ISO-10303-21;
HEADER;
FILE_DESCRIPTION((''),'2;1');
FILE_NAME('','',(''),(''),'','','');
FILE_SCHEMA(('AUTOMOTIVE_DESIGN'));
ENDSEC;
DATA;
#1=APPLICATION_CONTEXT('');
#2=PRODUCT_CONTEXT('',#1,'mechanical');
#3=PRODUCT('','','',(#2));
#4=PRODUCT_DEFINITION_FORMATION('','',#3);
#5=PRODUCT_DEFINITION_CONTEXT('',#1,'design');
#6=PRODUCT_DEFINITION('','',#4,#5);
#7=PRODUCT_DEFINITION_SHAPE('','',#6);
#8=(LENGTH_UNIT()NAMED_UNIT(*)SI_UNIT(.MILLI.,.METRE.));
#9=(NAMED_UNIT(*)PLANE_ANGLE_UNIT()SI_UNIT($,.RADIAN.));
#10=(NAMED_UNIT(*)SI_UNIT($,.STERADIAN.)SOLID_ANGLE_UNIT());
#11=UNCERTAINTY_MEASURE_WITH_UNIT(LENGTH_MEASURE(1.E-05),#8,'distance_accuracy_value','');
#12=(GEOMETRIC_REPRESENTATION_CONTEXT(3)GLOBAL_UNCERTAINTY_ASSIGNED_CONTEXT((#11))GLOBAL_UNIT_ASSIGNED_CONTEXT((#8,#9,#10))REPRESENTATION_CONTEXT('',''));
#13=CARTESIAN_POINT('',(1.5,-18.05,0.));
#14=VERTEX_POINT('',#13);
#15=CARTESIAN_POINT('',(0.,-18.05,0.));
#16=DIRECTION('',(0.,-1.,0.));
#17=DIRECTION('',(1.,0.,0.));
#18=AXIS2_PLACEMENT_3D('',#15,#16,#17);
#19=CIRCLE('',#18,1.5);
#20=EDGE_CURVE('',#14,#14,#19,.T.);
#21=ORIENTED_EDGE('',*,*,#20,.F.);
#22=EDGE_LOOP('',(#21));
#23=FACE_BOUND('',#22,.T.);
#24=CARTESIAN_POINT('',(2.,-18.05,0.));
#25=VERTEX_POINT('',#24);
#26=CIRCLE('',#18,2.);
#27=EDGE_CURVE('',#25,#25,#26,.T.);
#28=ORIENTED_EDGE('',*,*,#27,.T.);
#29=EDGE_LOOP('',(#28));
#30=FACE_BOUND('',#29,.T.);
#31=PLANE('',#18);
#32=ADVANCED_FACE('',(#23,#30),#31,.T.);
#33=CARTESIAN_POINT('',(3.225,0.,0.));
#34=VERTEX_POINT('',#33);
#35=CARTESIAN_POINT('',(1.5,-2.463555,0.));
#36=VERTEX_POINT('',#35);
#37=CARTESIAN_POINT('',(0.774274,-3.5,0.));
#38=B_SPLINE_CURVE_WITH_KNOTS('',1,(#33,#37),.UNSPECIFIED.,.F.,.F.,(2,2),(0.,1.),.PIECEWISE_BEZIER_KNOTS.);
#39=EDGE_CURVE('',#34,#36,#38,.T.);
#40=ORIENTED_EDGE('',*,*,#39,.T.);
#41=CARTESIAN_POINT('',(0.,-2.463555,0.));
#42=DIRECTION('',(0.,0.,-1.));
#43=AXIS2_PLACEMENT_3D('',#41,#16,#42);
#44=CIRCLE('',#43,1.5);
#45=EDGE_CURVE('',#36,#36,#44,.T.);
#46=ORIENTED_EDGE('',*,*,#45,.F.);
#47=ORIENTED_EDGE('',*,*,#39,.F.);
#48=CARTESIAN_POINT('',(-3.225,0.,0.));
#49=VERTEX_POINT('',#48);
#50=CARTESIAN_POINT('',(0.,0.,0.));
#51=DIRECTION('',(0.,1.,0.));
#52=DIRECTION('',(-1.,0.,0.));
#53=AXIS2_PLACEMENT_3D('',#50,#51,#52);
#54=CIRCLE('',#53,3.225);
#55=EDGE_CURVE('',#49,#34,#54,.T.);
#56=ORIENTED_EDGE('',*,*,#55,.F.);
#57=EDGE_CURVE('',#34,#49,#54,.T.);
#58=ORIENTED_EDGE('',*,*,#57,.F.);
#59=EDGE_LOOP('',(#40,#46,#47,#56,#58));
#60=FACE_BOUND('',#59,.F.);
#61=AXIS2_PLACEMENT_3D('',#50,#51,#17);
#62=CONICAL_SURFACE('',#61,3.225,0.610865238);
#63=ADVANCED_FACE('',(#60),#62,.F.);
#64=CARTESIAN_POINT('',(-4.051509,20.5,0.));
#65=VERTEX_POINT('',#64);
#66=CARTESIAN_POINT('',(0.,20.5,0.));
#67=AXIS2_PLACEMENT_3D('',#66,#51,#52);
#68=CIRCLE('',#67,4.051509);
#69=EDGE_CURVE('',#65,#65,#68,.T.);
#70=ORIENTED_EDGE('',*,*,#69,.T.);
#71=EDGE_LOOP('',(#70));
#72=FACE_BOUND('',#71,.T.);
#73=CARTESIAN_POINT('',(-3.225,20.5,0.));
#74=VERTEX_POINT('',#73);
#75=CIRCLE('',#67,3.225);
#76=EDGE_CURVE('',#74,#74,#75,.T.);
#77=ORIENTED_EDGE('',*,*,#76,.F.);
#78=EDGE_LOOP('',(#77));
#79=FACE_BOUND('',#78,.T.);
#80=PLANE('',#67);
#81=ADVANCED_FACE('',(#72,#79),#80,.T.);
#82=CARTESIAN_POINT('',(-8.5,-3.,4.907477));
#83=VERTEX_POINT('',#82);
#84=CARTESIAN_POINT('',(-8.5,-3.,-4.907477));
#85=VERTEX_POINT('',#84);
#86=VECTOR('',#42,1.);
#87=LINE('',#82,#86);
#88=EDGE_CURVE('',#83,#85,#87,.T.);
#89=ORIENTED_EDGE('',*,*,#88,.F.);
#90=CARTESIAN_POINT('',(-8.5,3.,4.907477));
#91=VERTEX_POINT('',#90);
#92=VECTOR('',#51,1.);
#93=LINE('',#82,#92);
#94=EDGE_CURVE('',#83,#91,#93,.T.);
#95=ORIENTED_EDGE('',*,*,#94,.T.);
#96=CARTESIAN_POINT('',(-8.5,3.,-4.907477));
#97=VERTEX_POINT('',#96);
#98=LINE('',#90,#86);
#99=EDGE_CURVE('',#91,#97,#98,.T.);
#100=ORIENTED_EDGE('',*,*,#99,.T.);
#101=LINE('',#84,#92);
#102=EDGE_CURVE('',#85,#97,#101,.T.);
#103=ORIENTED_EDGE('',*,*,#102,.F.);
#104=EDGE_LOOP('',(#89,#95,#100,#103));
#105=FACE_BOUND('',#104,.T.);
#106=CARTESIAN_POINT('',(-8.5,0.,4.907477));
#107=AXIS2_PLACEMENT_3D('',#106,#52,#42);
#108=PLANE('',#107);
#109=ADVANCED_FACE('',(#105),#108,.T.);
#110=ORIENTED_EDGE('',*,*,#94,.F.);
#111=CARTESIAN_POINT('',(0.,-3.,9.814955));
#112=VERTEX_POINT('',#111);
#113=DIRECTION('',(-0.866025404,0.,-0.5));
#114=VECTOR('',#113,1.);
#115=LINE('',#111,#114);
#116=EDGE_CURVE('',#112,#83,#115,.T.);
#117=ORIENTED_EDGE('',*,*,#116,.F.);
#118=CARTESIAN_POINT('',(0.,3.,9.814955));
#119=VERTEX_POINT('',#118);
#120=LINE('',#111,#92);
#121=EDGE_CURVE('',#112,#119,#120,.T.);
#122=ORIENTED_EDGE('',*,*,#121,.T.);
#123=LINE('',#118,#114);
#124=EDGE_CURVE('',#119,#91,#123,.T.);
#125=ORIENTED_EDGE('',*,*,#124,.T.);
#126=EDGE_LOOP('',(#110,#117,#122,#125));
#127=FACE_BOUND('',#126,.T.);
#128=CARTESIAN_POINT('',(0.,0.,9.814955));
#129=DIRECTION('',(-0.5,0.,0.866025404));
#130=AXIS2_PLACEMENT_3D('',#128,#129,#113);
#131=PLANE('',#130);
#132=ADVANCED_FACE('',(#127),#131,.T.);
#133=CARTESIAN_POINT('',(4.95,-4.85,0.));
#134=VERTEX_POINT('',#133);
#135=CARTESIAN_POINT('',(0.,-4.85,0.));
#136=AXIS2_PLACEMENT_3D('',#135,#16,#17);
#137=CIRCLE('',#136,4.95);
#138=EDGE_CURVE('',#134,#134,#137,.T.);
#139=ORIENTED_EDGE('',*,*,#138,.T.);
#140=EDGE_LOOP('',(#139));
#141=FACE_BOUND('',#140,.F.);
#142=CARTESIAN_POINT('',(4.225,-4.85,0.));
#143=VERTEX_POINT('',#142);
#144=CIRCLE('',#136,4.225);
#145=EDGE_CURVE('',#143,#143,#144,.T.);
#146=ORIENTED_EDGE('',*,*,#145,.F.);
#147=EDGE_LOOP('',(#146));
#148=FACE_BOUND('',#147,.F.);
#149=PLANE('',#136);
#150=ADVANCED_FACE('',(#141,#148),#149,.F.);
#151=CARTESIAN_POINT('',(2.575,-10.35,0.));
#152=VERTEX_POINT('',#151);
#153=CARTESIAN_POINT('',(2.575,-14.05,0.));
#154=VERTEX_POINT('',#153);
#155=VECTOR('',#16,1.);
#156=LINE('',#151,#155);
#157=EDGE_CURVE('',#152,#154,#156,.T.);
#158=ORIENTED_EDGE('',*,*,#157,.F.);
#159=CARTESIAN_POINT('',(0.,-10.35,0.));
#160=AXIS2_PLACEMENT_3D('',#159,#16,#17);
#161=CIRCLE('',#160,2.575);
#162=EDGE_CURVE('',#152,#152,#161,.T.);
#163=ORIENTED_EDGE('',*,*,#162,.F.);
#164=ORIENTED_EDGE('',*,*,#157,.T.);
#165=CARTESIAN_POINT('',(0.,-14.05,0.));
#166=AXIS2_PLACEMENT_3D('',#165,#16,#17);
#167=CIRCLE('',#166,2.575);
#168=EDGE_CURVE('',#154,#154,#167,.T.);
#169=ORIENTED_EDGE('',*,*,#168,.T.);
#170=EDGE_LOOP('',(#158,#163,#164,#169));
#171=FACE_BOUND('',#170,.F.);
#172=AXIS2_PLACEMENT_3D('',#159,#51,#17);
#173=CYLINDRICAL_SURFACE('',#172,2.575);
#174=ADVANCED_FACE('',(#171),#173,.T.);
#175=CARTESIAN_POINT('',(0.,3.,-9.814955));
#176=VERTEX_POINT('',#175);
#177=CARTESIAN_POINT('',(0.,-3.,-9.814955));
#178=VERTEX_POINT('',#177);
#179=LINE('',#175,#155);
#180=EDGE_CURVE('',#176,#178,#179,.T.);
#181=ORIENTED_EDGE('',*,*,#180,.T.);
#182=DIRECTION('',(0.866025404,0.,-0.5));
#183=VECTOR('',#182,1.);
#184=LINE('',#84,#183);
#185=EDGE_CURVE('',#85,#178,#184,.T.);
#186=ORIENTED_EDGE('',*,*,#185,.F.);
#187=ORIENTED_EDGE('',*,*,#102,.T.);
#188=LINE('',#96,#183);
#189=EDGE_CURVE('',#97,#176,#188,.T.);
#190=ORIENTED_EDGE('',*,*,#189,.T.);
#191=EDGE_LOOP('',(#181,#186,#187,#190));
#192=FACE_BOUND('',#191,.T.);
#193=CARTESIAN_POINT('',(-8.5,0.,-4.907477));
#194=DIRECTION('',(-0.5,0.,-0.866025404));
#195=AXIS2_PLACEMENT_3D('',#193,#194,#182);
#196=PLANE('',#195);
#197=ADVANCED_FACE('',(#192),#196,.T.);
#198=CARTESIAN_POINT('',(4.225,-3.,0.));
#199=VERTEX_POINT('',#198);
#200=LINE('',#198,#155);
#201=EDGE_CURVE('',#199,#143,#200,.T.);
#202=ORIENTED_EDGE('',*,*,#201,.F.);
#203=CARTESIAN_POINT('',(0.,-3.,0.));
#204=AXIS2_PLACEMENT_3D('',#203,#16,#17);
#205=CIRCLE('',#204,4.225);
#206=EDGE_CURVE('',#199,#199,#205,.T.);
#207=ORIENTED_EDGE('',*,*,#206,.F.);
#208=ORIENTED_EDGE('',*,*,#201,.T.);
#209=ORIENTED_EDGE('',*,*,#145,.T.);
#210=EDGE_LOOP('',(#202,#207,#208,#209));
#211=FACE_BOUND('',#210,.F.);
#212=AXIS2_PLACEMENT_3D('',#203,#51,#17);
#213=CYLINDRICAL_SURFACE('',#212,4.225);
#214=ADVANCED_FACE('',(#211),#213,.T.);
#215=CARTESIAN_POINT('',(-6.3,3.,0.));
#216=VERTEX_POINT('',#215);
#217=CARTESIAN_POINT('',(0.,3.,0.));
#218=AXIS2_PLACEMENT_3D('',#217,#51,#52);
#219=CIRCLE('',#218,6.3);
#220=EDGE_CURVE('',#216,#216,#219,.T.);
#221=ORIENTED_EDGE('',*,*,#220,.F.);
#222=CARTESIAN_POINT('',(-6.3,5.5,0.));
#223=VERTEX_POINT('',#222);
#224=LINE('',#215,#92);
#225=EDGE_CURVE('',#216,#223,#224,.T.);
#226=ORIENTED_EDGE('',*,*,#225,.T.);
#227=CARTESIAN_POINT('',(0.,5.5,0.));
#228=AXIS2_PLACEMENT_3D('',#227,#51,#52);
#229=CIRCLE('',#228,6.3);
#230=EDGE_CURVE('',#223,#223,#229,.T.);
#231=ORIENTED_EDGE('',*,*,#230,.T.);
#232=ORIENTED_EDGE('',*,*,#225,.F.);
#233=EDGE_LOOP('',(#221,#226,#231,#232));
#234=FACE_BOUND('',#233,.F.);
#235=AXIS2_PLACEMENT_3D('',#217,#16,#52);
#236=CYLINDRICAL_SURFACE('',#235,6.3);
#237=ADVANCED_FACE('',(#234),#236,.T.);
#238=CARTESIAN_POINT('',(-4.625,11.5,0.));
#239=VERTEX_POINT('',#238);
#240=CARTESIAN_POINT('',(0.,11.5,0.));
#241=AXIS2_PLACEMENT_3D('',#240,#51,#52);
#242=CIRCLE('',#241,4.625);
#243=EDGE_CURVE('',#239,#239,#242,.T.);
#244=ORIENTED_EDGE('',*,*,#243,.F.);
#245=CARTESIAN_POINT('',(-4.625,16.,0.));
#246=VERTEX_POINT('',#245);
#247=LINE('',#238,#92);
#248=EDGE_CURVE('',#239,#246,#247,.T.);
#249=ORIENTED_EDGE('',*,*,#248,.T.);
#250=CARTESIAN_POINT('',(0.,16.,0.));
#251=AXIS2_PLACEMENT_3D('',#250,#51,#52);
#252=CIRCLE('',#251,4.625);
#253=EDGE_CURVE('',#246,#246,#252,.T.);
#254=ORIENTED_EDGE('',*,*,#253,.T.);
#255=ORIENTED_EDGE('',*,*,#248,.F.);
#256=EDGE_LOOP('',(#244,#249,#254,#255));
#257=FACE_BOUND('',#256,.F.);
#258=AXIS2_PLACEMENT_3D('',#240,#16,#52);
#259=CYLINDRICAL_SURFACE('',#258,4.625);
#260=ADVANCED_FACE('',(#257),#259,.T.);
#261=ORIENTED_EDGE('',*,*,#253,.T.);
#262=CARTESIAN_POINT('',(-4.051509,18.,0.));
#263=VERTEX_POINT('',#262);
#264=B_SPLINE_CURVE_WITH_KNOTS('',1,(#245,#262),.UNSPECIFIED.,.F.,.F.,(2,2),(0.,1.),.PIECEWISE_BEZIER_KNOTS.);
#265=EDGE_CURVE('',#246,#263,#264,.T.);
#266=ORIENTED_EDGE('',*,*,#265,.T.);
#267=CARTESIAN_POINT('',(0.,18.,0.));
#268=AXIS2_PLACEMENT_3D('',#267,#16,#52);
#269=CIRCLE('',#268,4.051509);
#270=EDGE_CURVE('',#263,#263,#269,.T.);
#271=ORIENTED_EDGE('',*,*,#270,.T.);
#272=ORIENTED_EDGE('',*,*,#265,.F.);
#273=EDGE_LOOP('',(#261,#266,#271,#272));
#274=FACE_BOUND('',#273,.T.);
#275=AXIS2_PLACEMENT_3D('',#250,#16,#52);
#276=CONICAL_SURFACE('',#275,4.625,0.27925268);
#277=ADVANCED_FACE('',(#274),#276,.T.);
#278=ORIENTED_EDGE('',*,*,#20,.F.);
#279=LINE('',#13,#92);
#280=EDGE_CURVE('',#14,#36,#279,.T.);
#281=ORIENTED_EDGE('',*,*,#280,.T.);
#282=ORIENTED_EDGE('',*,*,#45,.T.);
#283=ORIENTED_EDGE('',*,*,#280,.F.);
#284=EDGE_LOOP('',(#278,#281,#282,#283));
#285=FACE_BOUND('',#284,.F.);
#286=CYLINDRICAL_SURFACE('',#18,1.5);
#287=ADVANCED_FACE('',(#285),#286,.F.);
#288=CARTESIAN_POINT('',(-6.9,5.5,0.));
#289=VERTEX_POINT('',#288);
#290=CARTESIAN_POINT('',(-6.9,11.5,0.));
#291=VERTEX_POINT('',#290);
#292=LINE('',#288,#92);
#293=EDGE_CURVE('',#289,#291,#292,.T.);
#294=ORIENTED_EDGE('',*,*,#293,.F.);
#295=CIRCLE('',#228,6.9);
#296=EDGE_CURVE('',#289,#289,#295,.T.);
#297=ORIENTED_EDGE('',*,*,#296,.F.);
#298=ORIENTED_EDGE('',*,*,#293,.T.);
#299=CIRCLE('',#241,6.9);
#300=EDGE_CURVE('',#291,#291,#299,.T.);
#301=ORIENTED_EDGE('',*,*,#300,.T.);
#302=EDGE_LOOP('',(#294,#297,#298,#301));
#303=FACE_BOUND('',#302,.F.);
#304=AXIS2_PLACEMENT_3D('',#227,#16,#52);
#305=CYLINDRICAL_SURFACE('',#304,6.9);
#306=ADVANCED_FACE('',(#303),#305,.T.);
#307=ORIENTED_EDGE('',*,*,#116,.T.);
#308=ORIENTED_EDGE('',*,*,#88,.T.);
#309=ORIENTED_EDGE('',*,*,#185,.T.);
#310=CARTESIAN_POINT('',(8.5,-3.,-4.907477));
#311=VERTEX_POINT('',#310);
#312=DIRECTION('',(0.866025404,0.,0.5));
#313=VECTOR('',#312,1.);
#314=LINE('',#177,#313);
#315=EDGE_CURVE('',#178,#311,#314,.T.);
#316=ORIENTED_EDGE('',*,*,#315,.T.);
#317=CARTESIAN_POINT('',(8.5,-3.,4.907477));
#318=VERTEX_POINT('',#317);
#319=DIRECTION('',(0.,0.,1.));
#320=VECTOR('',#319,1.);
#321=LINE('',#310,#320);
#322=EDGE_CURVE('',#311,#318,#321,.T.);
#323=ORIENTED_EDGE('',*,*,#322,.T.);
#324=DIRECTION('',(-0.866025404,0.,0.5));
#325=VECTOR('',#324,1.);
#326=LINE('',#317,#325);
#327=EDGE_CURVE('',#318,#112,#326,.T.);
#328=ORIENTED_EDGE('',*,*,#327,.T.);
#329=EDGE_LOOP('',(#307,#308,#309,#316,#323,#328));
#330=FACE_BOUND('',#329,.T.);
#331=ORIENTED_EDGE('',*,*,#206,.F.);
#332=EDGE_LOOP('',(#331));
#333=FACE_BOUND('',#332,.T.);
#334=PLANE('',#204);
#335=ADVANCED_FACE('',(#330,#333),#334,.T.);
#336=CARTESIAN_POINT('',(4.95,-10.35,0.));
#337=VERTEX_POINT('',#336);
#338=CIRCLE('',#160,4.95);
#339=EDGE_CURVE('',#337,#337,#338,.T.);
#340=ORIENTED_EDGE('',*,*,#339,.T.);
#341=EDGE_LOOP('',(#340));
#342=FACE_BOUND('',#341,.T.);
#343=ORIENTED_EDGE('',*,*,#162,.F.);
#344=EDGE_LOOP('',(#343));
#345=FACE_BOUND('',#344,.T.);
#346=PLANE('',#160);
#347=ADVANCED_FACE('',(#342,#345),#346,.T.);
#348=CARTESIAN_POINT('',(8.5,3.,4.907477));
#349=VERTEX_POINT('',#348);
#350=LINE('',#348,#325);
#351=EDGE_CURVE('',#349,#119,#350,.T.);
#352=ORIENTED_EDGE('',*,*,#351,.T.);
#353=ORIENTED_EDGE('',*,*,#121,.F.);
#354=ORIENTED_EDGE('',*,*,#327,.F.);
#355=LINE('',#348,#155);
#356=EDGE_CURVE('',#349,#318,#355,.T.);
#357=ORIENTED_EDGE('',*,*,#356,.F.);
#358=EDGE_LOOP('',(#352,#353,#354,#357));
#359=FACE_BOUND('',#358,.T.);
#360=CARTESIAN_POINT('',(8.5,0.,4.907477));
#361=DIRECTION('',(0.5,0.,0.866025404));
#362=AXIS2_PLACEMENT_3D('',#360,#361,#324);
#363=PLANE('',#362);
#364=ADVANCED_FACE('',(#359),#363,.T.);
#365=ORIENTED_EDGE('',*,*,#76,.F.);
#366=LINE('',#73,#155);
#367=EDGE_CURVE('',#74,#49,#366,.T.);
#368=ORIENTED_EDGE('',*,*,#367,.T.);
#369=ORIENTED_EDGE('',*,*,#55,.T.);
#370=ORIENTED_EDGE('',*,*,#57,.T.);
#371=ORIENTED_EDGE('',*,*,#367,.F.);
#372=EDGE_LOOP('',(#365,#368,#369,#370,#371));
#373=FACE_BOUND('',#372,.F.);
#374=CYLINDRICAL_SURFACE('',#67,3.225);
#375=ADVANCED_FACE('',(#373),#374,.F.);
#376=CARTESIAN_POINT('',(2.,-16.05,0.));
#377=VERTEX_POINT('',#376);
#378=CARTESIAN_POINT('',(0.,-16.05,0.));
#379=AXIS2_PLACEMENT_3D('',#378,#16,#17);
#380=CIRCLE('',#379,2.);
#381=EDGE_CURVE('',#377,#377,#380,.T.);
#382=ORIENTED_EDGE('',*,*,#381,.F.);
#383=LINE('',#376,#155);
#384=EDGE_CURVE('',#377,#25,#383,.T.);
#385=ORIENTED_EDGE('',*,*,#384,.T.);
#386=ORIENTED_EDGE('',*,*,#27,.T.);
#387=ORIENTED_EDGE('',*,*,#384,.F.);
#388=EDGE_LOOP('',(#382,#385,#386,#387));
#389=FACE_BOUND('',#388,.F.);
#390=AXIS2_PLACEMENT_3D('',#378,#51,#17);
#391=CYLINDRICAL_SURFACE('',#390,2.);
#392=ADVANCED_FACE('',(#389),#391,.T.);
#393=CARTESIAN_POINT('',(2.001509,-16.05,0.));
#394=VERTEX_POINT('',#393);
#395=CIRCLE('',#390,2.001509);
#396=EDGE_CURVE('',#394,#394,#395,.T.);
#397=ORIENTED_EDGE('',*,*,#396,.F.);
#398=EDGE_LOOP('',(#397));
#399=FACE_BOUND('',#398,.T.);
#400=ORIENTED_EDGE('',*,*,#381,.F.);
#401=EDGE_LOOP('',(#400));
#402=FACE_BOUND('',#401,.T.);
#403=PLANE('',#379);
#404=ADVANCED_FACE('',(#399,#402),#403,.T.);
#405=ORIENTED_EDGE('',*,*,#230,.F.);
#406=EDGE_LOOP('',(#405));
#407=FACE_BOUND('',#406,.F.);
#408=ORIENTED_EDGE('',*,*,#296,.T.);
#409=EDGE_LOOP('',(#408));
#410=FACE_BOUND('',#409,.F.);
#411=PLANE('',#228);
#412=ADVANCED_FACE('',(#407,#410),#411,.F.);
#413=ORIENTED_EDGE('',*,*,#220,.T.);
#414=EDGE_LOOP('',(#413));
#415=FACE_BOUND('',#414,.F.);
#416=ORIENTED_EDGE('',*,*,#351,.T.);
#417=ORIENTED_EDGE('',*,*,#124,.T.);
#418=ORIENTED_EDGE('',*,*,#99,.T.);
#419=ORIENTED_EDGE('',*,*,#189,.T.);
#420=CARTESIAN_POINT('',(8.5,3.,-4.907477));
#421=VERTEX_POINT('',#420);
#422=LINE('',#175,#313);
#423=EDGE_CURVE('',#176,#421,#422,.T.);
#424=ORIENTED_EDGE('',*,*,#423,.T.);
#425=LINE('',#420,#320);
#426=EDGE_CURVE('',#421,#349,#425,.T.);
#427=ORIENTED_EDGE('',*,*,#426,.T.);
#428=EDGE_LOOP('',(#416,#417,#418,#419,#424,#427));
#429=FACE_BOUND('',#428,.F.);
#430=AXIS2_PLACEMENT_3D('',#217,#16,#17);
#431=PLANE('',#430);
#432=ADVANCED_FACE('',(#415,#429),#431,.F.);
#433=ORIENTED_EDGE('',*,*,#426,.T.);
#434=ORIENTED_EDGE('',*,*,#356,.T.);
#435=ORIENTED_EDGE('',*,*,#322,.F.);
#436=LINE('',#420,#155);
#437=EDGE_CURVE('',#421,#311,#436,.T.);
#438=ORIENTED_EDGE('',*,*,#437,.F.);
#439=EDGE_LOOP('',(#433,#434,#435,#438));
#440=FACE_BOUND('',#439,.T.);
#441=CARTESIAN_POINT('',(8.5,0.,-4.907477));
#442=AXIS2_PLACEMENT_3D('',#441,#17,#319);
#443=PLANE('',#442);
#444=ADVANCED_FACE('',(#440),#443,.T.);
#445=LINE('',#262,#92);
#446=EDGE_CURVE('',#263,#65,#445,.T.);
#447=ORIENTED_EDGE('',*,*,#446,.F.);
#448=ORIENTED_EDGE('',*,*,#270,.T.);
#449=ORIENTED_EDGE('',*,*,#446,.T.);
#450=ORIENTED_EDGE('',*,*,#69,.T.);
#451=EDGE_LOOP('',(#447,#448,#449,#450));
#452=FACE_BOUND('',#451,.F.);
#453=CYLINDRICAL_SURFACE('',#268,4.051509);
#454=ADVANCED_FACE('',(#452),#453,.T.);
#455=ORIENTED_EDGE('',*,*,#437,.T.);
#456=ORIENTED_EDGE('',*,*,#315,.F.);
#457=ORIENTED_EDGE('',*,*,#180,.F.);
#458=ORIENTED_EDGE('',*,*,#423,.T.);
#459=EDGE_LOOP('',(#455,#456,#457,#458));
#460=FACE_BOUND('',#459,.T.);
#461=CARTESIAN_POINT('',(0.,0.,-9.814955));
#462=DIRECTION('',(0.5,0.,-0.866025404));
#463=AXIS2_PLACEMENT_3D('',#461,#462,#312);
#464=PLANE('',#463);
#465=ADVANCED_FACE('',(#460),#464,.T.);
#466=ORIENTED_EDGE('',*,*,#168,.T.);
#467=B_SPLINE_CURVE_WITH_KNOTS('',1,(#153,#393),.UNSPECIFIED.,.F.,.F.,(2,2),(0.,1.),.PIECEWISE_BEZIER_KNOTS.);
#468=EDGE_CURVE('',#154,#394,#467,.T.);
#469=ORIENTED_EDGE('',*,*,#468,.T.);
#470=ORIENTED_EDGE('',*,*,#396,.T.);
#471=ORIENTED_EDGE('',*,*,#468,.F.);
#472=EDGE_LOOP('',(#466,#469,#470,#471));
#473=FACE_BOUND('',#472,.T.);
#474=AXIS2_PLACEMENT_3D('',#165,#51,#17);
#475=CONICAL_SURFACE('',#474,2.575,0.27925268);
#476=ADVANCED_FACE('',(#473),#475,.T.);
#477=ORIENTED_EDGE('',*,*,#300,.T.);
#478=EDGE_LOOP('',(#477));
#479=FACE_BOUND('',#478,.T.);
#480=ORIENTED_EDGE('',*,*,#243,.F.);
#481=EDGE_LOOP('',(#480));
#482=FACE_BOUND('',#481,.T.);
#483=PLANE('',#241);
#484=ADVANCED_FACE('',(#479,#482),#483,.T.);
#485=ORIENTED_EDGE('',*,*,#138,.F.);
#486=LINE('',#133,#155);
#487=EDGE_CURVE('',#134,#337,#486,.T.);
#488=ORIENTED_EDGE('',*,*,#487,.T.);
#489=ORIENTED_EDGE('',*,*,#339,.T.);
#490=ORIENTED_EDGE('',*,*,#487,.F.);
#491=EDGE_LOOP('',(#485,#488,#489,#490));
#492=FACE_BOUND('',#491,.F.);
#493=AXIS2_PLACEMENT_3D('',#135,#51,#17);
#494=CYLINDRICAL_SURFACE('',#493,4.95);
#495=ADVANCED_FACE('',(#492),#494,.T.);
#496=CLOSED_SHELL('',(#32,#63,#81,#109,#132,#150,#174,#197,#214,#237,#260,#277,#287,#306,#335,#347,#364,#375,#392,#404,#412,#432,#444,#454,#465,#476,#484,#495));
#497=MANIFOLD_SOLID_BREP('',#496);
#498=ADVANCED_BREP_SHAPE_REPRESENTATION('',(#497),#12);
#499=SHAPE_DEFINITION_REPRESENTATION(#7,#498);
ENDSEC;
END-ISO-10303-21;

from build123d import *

# Parameters (mm, degrees)
F1_DEPTH  = 3
F2_R      = 6.3
F3_DEPTH  = 2.5
F4_R      = 6.9
F5_DEPTH  = 6
F6_R      = 4.625
F7_DEPTH  = 4.5
F8_R      = 4.625
F9_DEPTH  = 2
F9_TAPER  = 16
F10_R     = 4.0515092285
F10_R_2   = 4
F11_DEPTH = 2.5
F12_R     = 3.225
F13_DEPTH = 20.5
F14_R     = 4.225
F15_DEPTH = 1.85
F16_R     = 4.95
F17_DEPTH = 5.5
F18_R     = 2.575
F19_DEPTH = 3.7
F20_R     = 2.575
F21_DEPTH = 2
F21_TAPER = 16
F22_R     = 2
F23_DEPTH = 2
F24_R     = 1.5
F25_DEPTH = 18.05
F26_R     = 3.225
F27_DEPTH = 3.5
F27_TAPER = 35


with BuildPart() as f1:
    # F0 (on Front) → F1 (new body, symmetric)
    with BuildSketch(Plane.XZ):
        Polygon((-8.5, -4.9074772881), (0, -9.8149545762), (8.5, -4.9074772881), (8.5, 4.9074772881), (0, 9.8149545762), (-8.5, 4.9074772881), align=None)
    extrude(amount=F1_DEPTH, both=True)

    # F2 (on face) → F3 (join)
    with BuildSketch(Plane(origin=(0, 3, 0), x_dir=(-1, 0, 0), z_dir=(0, 1, 0))):
        Circle(F2_R)
    extrude(amount=F3_DEPTH)

    # F4 (on face) → F5 (join)
    with BuildSketch(Plane(origin=(0, 5.5, 0), x_dir=(-1, 0, 0), z_dir=(0, 1, 0))):
        Circle(F4_R)
    extrude(amount=F5_DEPTH)

    # F6 (on face) → F7 (join)
    with BuildSketch(Plane(origin=(0, 11.5, 0), x_dir=(-1, 0, 0), z_dir=(0, 1, 0))):
        Circle(F6_R)
    extrude(amount=F7_DEPTH)

    # F8 (on face) → F9 (join)
    with BuildSketch(Plane(origin=(0, 16, 0), x_dir=(-1, 0, 0), z_dir=(0, 1, 0))):
        Circle(F8_R)
    extrude(amount=F9_DEPTH, taper=F9_TAPER)

    # F10 (on face) → F11 (join)
    with BuildSketch(Plane(origin=(0, 18, 0), x_dir=(-1, 0, 0), z_dir=(0, 1, 0))):
        Circle(F10_R)
        Circle(F10_R_2, mode=Mode.SUBTRACT)
        Circle(F10_R_2)
    extrude(amount=F11_DEPTH)

    # F12 (on face) → F13 (cut, through all)
    with BuildSketch(Plane(origin=(0, 20.5, 0), x_dir=(-1, 0, 0), z_dir=(0, 1, 0))):
        Circle(F12_R)
    extrude(amount=-F13_DEPTH, mode=Mode.SUBTRACT)

    # F14 (on face) → F15 (join)
    with BuildSketch(Plane.XZ.offset(3)):
        Circle(F14_R)
    extrude(amount=F15_DEPTH)

    # F16 (on face) → F17 (join)
    with BuildSketch(Plane.XZ.offset(4.85)):
        Circle(F16_R)
    extrude(amount=F17_DEPTH)

    # F18 (on face) → F19 (join)
    with BuildSketch(Plane.XZ.offset(10.35)):
        Circle(F18_R)
    extrude(amount=F19_DEPTH)

    # F20 (on face) → F21 (join)
    with BuildSketch(Plane.XZ.offset(14.05)):
        Circle(F20_R)
    extrude(amount=F21_DEPTH, taper=F21_TAPER)

    # F22 (on face) → F23 (join)
    with BuildSketch(Plane.XZ.offset(16.05)):
        Circle(F22_R)
    extrude(amount=F23_DEPTH)

    # F24 (on face) → F25 (cut, through all)
    with BuildSketch(Plane.XZ.offset(18.05)):
        Circle(F24_R)
    extrude(amount=-F25_DEPTH, mode=Mode.SUBTRACT)

    # F26 (on Front) → F27 (cut)
    with BuildSketch(Plane.XZ):
        Circle(F26_R)
    extrude(amount=F27_DEPTH, taper=F27_TAPER, mode=Mode.SUBTRACT)


solid = f1.part
